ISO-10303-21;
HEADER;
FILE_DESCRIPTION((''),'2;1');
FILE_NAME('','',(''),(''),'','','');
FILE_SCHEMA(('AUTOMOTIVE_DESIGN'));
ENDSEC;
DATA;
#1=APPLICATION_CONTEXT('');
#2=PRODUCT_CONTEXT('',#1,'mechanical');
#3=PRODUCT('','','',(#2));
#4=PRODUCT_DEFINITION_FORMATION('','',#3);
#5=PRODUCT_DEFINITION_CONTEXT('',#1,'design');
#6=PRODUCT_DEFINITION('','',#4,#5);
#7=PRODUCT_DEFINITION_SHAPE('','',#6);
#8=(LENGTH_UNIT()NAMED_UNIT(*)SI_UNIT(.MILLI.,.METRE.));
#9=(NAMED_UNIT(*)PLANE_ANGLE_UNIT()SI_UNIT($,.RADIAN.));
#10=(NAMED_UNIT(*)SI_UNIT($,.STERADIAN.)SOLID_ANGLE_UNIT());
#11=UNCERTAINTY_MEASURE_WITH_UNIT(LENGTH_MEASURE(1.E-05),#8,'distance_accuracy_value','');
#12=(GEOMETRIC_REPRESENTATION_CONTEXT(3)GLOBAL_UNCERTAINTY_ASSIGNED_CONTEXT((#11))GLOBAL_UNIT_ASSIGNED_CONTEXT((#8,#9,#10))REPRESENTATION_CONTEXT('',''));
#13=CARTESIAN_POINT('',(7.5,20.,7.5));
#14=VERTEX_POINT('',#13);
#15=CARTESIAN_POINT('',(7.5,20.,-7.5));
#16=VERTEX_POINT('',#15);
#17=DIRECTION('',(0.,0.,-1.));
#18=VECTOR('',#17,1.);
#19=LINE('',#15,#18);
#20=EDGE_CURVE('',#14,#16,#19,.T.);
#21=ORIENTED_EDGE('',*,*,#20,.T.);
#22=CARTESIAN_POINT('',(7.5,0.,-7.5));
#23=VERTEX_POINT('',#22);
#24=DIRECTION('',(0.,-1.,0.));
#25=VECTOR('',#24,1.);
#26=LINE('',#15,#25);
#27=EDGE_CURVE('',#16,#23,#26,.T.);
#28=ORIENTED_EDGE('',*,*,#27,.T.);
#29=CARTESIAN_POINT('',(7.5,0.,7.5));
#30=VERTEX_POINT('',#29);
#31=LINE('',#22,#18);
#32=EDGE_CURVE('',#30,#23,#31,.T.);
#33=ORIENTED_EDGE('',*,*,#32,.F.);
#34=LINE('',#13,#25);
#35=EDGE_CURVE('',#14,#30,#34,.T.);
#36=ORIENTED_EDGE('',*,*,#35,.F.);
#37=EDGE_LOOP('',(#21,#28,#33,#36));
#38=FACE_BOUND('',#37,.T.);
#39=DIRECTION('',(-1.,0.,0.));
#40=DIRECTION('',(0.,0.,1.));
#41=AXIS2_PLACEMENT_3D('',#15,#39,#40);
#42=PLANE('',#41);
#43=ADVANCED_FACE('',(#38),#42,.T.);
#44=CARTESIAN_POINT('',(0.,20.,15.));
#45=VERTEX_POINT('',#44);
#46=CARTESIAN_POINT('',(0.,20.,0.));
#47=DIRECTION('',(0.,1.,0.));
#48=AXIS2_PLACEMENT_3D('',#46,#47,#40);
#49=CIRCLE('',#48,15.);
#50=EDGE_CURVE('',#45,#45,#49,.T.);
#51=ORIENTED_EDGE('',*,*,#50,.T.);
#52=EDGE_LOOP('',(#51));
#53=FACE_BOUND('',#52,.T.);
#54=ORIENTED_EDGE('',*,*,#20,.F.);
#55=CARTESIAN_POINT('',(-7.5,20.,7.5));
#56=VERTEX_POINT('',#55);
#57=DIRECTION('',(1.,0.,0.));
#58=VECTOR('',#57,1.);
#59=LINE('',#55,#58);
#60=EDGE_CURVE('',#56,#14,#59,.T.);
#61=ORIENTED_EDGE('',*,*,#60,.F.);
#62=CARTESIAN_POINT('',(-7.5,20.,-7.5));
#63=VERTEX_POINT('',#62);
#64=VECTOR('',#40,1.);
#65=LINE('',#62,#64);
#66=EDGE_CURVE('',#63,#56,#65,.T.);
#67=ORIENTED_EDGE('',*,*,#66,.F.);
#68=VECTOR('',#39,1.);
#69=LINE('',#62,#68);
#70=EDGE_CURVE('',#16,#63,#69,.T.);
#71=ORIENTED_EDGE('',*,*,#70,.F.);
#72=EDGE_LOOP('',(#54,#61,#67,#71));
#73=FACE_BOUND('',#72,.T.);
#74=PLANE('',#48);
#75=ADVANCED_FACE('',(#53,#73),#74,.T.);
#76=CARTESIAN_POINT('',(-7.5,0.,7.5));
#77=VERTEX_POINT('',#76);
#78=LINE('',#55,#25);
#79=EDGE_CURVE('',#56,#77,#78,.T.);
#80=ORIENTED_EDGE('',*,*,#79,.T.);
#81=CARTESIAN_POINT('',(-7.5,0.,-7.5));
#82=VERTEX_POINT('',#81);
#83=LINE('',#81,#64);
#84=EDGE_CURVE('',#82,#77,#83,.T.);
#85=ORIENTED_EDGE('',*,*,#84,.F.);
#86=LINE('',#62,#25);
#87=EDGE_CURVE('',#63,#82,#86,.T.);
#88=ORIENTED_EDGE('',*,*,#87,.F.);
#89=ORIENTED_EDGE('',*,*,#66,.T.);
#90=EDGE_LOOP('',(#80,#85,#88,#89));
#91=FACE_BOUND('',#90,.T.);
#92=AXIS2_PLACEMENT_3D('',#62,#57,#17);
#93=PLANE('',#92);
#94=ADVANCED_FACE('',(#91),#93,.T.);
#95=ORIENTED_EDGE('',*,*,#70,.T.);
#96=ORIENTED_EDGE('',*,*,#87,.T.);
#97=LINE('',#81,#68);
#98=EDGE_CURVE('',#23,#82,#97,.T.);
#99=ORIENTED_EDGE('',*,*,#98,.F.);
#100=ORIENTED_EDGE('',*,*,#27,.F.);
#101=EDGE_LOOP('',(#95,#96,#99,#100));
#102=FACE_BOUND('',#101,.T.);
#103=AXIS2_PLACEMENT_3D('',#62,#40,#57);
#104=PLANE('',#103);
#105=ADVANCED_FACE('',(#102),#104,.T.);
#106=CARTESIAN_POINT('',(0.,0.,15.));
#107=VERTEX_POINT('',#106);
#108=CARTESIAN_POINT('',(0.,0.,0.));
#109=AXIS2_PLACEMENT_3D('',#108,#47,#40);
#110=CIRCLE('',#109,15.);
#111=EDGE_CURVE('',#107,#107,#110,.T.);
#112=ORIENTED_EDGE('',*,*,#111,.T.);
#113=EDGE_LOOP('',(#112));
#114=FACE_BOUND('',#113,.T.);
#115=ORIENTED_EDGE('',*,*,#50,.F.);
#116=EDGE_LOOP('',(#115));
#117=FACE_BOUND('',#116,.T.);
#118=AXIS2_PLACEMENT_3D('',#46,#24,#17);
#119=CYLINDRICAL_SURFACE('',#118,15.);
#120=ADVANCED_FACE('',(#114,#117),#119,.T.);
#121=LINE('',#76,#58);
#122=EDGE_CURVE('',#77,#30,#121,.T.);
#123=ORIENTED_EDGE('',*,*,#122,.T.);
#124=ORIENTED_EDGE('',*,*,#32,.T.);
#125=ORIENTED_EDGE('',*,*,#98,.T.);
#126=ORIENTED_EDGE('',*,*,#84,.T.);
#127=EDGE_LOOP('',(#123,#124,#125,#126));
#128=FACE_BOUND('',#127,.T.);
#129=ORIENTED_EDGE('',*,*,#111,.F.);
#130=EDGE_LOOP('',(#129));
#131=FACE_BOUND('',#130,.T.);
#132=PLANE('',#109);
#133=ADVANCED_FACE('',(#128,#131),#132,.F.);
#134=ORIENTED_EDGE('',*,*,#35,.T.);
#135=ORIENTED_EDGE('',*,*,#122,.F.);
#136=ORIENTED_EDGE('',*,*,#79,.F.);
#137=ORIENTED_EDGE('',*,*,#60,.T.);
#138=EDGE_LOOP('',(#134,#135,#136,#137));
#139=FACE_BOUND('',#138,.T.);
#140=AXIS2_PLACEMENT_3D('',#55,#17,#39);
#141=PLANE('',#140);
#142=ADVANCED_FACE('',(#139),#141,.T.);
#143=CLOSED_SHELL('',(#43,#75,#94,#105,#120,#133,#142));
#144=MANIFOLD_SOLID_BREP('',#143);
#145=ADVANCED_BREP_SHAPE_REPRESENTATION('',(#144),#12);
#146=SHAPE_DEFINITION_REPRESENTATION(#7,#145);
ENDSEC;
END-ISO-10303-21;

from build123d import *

# Parameters (mm, degrees)
SKETCH_2_R      = 15
SKETCH_2_W      = 15
SKETCH_2_H      = 15
EXTRUDE_1_DEPTH = 20


with BuildPart() as part:
    # 草图2 → 凸台-拉伸1 (new body)
    with BuildSketch(Plane(origin=(0, 0, 0), x_dir=(1, 0, 0), z_dir=(0, 1, 0))):
        with Locations(Location((0, 0, 0), (0, 0, 270))):
            Circle(SKETCH_2_R)
        Rectangle(SKETCH_2_W, SKETCH_2_H, mode=Mode.SUBTRACT)
    extrude(amount=EXTRUDE_1_DEPTH)


solid = part.part
